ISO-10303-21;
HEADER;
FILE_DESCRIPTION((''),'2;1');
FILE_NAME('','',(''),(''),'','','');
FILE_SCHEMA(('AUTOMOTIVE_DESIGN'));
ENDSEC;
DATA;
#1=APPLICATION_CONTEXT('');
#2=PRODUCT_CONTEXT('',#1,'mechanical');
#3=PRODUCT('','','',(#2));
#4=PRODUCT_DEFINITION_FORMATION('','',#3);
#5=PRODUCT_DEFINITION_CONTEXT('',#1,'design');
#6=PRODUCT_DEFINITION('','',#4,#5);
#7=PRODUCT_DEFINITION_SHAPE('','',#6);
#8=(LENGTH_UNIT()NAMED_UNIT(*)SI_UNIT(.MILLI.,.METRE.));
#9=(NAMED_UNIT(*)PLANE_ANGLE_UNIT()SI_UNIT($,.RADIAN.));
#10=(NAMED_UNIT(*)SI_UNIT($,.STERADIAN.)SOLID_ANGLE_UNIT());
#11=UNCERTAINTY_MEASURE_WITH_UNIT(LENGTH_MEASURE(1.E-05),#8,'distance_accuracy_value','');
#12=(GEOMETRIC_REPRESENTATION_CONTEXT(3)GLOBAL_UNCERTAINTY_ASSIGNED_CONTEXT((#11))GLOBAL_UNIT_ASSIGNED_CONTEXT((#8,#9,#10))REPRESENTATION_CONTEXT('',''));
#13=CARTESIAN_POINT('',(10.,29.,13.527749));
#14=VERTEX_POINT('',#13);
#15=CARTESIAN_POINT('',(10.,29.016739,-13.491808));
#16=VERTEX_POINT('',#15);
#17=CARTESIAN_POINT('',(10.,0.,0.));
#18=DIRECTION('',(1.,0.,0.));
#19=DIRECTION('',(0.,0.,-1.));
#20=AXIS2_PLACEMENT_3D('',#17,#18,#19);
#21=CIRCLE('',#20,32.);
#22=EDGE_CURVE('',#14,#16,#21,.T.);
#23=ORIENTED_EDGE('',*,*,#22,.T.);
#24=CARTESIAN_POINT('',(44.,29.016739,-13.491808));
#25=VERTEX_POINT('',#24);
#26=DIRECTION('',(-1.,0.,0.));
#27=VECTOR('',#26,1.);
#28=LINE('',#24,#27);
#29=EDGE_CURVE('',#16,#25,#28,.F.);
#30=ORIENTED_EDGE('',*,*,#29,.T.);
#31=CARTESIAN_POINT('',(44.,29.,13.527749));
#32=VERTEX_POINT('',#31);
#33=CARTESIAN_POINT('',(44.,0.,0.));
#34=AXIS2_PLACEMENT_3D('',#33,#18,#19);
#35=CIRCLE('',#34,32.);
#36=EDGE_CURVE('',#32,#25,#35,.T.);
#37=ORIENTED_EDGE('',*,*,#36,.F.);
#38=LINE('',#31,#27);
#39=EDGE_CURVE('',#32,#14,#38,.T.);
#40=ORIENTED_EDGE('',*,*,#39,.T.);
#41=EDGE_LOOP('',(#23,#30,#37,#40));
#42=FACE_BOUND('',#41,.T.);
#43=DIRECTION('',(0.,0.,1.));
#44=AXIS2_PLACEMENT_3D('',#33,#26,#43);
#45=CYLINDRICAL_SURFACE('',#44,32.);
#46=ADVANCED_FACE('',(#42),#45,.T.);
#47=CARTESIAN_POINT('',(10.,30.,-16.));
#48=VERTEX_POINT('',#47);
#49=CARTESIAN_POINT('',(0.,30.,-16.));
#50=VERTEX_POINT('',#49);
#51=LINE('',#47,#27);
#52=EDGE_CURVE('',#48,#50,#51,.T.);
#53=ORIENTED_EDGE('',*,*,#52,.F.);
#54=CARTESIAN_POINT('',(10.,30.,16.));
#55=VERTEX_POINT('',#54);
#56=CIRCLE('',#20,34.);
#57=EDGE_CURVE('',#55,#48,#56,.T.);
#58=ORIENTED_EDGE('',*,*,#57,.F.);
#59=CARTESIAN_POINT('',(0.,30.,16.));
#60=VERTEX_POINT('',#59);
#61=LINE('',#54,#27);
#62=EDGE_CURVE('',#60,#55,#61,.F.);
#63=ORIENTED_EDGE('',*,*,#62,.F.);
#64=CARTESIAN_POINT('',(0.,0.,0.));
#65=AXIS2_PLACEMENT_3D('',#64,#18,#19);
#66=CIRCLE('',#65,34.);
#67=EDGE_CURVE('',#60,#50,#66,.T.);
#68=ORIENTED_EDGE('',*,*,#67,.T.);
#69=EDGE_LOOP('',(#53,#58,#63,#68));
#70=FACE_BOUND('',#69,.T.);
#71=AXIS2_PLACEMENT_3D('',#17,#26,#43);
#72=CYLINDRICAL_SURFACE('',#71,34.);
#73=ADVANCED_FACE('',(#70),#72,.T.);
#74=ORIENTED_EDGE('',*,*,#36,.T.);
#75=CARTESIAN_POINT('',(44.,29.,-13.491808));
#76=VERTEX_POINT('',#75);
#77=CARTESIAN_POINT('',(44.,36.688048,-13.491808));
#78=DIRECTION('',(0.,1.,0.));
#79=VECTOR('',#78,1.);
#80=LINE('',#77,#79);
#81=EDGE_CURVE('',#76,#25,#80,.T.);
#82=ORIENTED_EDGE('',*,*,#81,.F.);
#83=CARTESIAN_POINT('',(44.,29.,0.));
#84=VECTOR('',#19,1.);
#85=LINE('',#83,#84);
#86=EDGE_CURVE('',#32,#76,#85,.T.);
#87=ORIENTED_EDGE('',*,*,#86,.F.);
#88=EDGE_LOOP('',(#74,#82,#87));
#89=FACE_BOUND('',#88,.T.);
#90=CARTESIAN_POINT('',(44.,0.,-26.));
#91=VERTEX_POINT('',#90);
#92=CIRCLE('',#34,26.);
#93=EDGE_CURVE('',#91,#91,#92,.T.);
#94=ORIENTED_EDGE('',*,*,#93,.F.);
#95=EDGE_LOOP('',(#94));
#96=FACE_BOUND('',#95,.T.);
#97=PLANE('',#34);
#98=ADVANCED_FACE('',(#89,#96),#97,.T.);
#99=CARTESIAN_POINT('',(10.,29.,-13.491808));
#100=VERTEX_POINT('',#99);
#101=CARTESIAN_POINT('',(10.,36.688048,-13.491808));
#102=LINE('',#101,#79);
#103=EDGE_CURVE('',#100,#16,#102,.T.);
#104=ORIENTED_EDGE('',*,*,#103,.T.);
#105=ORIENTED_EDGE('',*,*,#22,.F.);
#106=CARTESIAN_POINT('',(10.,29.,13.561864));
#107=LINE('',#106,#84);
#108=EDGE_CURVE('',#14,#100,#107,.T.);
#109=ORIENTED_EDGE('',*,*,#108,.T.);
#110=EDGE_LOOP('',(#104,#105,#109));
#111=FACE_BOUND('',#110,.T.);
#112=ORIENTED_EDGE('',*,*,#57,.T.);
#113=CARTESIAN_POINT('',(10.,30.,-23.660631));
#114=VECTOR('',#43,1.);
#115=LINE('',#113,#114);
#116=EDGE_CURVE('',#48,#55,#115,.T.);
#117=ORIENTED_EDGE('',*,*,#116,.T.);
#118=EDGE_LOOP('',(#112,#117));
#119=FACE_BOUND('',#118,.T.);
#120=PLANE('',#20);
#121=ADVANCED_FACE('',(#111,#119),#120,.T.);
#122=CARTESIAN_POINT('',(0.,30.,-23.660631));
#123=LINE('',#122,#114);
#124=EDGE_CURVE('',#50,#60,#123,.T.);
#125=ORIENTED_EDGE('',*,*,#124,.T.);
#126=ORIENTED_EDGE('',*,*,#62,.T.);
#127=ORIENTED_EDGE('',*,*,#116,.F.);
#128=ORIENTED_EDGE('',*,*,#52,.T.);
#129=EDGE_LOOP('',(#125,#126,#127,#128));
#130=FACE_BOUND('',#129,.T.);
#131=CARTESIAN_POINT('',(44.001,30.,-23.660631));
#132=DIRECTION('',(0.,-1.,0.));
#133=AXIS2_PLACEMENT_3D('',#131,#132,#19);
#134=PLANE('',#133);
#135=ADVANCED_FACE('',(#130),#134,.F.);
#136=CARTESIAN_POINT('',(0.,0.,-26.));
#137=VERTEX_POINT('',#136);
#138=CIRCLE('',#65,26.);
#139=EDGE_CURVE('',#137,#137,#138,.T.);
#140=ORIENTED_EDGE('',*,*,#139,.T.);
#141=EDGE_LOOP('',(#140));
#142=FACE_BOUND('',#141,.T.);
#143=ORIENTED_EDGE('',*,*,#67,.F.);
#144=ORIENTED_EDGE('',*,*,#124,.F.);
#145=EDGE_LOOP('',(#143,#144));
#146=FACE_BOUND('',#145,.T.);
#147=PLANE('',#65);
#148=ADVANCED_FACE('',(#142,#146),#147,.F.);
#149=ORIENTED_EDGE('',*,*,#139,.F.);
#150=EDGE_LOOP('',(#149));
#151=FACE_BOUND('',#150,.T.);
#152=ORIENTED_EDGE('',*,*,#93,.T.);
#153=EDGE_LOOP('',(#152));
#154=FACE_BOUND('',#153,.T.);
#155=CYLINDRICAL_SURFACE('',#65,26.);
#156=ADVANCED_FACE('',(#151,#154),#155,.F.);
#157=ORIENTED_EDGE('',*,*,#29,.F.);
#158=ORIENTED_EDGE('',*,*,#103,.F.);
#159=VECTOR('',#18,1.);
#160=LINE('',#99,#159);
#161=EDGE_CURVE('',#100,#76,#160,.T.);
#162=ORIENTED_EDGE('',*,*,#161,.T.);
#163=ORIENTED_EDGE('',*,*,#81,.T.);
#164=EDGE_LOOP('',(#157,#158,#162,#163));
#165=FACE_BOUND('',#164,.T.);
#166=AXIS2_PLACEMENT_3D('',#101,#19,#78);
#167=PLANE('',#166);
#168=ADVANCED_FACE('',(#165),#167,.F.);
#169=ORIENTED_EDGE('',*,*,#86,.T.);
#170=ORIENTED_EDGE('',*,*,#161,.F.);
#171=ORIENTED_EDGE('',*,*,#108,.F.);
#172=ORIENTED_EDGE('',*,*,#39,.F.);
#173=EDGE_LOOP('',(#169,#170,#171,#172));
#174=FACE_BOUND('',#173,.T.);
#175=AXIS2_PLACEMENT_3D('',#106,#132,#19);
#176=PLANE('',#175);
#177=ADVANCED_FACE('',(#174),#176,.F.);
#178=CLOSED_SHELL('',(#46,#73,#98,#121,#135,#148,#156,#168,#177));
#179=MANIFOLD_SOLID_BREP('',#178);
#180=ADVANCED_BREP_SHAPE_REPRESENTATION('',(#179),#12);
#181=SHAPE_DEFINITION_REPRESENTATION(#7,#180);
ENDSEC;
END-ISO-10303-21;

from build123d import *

# Parameters (mm, degrees)
SKETCH1_R           = 34
BOSS_EXTRUDE1_DEPTH = 10
SKETCH2_R           = 32
BOSS_EXTRUDE2_DEPTH = 34
SKETCH3_R           = 26
CUT_EXTRUDE1_DEPTH  = 66.176682947
SKETCH4_W           = 27.053672336
SKETCH4_H           = 7.688048191
CUT_EXTRUDE2_DEPTH  = 34
CUT_EXTRUDE3_REACH  = 67.177
SKETCH5_W           = 49.442103022
SKETCH5_H           = 7.290390526


with BuildPart() as part:
    # Sketch1 → Boss-Extrude1 (new body)
    with BuildSketch(Plane(origin=(0, 0, 0), x_dir=(0, 0, -1), z_dir=(1, 0, 0))):
        Circle(SKETCH1_R)
    extrude(amount=BOSS_EXTRUDE1_DEPTH)

    # Sketch2 → Boss-Extrude2 (add)
    with BuildSketch(Plane(origin=(10, 0, 0), x_dir=(0, 0, -1), z_dir=(1, 0, 0))):
        Circle(SKETCH2_R)
    extrude(amount=BOSS_EXTRUDE2_DEPTH)

    # Sketch3 → Cut-Extrude1 (cut, through all)
    with BuildSketch(Plane(origin=(44, 0, 0), x_dir=(0, 0, -1), z_dir=(1, 0, 0))):
        Circle(SKETCH3_R)
    extrude(amount=-CUT_EXTRUDE1_DEPTH, mode=Mode.SUBTRACT)

    # Sketch4 → Cut-Extrude2 (cut)
    with BuildSketch(Plane(origin=(44, 0, 0), x_dir=(0, 0, -1), z_dir=(1, 0, 0))):
        with Locations((-0.035028199, 32.844024096)):
            Rectangle(SKETCH4_W, SKETCH4_H)
    extrude(amount=-CUT_EXTRUDE2_DEPTH, mode=Mode.SUBTRACT)

    # Sketch5 → Cut-Extrude3 (cut, up to next)
    with BuildSketch(Plane.ZY, mode=Mode.PRIVATE) as cut_extrude3_sk1:
        with Locations((1.06042044, 33.645195263)):
            Rectangle(SKETCH5_W, SKETCH5_H)
    cut_extrude3_tool1 = extrude(cut_extrude3_sk1.sketch, amount=-CUT_EXTRUDE3_REACH, mode=Mode.PRIVATE) & part.part
    add(cut_extrude3_tool1.solids().sort_by_distance((0, 33.645195, 1.06042))[0], mode=Mode.SUBTRACT)


solid = part.part
